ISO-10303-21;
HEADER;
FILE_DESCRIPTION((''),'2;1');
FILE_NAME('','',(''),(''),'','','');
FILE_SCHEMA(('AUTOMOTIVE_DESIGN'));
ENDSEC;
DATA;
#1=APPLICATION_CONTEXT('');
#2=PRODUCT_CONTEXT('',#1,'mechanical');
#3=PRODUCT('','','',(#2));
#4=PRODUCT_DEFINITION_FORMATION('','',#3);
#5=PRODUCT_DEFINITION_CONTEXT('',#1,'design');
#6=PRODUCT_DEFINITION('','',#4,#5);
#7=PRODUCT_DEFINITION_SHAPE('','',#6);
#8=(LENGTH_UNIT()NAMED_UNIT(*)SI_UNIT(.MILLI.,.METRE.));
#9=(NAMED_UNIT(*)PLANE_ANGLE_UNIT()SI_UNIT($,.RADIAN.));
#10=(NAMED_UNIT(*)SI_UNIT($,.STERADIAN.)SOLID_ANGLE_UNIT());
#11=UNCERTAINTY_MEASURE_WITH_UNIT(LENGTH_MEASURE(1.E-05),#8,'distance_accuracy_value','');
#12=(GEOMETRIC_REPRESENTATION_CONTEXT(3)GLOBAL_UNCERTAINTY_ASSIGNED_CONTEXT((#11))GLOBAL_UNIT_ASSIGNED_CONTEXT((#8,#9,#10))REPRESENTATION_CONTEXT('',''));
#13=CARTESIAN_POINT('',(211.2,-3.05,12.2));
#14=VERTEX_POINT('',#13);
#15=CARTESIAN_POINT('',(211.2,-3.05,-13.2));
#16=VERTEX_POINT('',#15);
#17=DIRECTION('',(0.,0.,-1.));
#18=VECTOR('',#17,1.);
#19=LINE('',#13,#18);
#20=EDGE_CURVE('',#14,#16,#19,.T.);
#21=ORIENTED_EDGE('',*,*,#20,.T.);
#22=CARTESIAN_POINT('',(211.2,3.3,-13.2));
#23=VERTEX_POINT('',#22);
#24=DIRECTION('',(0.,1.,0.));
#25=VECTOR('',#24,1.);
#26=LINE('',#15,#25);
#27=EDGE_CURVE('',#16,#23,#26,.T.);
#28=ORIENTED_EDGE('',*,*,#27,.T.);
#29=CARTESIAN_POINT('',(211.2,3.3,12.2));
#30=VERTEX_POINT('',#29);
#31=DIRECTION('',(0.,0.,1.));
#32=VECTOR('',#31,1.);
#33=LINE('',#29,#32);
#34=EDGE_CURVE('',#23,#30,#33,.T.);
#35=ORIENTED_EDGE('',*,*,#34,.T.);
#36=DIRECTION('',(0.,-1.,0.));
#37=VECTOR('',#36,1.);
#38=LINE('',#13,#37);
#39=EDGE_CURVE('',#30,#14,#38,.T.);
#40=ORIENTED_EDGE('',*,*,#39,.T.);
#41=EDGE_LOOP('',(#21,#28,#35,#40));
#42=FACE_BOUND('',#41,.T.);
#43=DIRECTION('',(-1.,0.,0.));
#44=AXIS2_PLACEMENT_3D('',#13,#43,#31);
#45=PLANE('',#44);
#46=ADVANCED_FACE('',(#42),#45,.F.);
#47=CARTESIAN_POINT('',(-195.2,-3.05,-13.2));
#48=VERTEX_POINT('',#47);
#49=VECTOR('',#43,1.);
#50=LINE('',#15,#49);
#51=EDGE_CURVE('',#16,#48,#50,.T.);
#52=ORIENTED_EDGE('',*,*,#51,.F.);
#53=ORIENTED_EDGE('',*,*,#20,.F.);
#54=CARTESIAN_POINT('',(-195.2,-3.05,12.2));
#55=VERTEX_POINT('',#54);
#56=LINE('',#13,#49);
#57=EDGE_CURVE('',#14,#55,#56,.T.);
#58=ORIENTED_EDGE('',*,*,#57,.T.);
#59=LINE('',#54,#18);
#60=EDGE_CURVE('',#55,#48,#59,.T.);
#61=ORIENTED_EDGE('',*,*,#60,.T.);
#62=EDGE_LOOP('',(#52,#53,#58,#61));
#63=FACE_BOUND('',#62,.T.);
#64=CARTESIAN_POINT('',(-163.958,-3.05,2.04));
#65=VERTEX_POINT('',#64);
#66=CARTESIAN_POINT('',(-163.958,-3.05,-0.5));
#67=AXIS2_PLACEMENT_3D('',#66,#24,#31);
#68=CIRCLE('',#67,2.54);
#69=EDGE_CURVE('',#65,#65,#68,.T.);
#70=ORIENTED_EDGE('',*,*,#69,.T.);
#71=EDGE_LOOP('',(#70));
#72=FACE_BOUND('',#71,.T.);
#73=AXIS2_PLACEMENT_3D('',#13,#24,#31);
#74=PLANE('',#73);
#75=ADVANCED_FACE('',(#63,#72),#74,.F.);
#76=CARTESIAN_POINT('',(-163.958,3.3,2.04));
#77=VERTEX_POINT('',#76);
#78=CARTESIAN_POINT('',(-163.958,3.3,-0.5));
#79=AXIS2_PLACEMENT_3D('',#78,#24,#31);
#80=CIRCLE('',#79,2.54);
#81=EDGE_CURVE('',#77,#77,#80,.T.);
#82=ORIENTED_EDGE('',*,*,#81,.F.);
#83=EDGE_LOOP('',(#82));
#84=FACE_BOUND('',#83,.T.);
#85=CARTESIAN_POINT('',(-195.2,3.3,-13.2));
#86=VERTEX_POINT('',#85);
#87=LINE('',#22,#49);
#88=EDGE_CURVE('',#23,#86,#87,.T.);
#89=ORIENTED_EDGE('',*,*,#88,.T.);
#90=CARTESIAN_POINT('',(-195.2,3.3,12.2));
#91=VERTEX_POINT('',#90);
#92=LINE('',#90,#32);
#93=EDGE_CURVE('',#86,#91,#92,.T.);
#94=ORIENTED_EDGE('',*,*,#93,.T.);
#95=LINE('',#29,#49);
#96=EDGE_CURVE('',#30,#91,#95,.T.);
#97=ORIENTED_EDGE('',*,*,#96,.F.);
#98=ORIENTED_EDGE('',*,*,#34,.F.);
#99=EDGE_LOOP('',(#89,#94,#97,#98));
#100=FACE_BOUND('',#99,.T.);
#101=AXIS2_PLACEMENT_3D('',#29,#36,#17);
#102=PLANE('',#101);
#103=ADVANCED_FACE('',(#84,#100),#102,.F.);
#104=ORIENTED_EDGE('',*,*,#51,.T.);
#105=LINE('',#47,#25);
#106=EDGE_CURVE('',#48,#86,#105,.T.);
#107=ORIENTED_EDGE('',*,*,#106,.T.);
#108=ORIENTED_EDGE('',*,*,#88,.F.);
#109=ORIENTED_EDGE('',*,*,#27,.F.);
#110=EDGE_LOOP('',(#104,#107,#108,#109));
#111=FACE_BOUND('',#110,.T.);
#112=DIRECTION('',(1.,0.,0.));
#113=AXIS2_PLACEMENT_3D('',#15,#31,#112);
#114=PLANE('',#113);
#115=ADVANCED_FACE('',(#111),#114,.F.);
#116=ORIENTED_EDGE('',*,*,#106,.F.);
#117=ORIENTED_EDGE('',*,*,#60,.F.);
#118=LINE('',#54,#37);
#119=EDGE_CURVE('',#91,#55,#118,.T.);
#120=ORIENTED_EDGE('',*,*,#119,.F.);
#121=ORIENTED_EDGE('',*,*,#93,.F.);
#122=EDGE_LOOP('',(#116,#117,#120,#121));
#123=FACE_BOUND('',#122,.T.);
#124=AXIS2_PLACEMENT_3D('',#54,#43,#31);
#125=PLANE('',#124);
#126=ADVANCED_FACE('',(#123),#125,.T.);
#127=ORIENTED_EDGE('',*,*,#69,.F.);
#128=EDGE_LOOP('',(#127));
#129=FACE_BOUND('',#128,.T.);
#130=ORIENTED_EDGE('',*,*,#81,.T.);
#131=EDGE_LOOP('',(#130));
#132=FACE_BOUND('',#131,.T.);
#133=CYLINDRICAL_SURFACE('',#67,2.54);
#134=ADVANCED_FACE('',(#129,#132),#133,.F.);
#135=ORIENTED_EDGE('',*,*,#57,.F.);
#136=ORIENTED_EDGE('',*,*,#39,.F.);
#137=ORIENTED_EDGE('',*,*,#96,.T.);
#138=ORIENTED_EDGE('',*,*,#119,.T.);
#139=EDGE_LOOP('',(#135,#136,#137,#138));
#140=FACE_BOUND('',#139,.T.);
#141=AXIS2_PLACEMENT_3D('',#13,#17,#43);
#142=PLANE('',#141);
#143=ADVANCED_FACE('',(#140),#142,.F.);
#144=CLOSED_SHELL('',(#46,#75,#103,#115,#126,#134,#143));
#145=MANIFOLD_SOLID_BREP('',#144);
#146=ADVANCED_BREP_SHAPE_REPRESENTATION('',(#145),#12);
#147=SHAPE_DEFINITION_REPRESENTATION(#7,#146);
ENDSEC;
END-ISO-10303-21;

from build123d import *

# Parameters (mm, degrees)
SKETCH1_W           = 1
SKETCH1_H           = 0.25
BOSS_EXTRUDE1_DEPTH = 16
SCALE1_SCALE        = 25.4
SKETCH2_R           = 2.54
CUT_EXTRUDE1_DEPTH  = 7.35


with BuildPart() as part:
    # Sketch1 → Boss-Extrude1 (new body)
    with BuildSketch(Plane(origin=(0, 0, 0), x_dir=(0, 0, -1), z_dir=(1, 0, 0))):
        with Locations((0.5, 0.125)):
            Rectangle(SKETCH1_W, SKETCH1_H)
    extrude(amount=BOSS_EXTRUDE1_DEPTH)


with BuildPart() as part_1:
    # Scale1: scaled about (8, 0.125, -0.5)
    add(part.part.scale(SCALE1_SCALE).moved(Location((-195.2, -3.05, 12.2))))

    # Sketch2 → Cut-Extrude1 (cut, through all)
    with BuildSketch(Plane(origin=(0, 3.3, 0), x_dir=(1, 0, 0), z_dir=(0, 1, 0))):
        with Locations((-163.958, 0.5)):
            Circle(SKETCH2_R)
    extrude(amount=-CUT_EXTRUDE1_DEPTH, mode=Mode.SUBTRACT)


solid = part_1.part
